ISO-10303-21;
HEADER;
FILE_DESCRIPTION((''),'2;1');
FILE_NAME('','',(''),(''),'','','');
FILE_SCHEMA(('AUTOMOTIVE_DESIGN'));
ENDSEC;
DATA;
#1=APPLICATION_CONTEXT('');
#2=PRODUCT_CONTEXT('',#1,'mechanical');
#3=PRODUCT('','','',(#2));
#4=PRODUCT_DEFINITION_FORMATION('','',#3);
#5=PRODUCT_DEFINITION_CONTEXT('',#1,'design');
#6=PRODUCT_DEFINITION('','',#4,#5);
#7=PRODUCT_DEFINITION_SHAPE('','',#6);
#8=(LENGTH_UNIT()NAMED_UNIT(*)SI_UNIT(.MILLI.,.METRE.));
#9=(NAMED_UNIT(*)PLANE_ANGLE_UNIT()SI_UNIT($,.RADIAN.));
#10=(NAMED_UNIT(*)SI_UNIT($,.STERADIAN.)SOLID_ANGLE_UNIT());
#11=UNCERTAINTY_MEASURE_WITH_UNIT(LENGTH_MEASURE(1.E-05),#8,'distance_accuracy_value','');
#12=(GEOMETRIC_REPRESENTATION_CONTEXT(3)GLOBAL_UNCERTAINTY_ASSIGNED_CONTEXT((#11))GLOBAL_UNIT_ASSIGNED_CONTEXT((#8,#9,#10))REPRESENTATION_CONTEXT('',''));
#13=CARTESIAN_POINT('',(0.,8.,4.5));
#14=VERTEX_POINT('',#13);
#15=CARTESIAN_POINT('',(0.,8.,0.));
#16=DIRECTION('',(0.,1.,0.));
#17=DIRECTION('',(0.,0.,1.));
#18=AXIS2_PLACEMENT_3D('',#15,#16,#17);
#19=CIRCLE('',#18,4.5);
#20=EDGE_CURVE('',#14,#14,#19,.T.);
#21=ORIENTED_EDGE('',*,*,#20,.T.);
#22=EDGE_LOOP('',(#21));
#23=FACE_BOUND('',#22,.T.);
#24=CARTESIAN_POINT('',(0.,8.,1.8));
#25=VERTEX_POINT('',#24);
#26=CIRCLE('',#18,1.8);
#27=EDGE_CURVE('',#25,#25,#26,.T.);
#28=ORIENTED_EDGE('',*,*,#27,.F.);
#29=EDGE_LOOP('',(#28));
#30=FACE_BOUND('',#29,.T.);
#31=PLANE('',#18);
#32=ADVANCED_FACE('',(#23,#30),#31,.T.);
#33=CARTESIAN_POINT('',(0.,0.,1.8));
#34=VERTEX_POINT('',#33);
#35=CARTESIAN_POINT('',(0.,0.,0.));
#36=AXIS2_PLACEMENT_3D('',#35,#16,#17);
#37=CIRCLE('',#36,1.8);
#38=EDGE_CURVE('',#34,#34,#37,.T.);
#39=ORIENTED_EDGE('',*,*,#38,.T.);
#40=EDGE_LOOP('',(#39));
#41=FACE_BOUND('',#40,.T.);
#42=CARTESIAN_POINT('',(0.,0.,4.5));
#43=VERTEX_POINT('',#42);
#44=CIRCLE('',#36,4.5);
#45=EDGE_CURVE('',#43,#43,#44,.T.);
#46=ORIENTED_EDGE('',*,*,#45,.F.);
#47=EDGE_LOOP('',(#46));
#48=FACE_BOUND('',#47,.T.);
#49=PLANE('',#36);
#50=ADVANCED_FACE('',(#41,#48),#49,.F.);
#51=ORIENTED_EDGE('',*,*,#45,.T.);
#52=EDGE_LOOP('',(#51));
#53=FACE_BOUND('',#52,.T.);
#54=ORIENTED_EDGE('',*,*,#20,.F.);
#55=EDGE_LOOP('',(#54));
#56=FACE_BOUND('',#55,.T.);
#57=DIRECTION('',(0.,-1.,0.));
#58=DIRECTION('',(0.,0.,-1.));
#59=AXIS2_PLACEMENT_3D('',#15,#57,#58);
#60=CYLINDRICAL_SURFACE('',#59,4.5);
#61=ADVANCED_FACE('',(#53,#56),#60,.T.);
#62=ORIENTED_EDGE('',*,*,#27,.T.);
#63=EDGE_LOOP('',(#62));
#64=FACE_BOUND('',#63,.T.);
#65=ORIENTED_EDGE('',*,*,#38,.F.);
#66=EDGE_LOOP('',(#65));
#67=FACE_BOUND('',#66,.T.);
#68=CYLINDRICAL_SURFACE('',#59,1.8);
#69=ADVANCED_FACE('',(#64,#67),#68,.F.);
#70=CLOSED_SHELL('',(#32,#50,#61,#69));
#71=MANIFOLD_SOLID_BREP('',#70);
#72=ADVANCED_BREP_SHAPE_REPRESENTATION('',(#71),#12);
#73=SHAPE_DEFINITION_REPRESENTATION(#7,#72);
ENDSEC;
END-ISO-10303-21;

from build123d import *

# Parameters (mm, degrees)
CROQUIS1_R              = 4.5
CROQUIS1_R_2            = 1.8
SALIENTE_EXTRUIR1_DEPTH = 8


with BuildPart() as part:
    # Croquis1 → Saliente-Extruir1 (new body)
    with BuildSketch(Plane(origin=(0, 0, 0), x_dir=(1, 0, 0), z_dir=(0, 1, 0))):
        Circle(CROQUIS1_R)
        Circle(CROQUIS1_R_2, mode=Mode.SUBTRACT)
    extrude(amount=SALIENTE_EXTRUIR1_DEPTH)


solid = part.part
